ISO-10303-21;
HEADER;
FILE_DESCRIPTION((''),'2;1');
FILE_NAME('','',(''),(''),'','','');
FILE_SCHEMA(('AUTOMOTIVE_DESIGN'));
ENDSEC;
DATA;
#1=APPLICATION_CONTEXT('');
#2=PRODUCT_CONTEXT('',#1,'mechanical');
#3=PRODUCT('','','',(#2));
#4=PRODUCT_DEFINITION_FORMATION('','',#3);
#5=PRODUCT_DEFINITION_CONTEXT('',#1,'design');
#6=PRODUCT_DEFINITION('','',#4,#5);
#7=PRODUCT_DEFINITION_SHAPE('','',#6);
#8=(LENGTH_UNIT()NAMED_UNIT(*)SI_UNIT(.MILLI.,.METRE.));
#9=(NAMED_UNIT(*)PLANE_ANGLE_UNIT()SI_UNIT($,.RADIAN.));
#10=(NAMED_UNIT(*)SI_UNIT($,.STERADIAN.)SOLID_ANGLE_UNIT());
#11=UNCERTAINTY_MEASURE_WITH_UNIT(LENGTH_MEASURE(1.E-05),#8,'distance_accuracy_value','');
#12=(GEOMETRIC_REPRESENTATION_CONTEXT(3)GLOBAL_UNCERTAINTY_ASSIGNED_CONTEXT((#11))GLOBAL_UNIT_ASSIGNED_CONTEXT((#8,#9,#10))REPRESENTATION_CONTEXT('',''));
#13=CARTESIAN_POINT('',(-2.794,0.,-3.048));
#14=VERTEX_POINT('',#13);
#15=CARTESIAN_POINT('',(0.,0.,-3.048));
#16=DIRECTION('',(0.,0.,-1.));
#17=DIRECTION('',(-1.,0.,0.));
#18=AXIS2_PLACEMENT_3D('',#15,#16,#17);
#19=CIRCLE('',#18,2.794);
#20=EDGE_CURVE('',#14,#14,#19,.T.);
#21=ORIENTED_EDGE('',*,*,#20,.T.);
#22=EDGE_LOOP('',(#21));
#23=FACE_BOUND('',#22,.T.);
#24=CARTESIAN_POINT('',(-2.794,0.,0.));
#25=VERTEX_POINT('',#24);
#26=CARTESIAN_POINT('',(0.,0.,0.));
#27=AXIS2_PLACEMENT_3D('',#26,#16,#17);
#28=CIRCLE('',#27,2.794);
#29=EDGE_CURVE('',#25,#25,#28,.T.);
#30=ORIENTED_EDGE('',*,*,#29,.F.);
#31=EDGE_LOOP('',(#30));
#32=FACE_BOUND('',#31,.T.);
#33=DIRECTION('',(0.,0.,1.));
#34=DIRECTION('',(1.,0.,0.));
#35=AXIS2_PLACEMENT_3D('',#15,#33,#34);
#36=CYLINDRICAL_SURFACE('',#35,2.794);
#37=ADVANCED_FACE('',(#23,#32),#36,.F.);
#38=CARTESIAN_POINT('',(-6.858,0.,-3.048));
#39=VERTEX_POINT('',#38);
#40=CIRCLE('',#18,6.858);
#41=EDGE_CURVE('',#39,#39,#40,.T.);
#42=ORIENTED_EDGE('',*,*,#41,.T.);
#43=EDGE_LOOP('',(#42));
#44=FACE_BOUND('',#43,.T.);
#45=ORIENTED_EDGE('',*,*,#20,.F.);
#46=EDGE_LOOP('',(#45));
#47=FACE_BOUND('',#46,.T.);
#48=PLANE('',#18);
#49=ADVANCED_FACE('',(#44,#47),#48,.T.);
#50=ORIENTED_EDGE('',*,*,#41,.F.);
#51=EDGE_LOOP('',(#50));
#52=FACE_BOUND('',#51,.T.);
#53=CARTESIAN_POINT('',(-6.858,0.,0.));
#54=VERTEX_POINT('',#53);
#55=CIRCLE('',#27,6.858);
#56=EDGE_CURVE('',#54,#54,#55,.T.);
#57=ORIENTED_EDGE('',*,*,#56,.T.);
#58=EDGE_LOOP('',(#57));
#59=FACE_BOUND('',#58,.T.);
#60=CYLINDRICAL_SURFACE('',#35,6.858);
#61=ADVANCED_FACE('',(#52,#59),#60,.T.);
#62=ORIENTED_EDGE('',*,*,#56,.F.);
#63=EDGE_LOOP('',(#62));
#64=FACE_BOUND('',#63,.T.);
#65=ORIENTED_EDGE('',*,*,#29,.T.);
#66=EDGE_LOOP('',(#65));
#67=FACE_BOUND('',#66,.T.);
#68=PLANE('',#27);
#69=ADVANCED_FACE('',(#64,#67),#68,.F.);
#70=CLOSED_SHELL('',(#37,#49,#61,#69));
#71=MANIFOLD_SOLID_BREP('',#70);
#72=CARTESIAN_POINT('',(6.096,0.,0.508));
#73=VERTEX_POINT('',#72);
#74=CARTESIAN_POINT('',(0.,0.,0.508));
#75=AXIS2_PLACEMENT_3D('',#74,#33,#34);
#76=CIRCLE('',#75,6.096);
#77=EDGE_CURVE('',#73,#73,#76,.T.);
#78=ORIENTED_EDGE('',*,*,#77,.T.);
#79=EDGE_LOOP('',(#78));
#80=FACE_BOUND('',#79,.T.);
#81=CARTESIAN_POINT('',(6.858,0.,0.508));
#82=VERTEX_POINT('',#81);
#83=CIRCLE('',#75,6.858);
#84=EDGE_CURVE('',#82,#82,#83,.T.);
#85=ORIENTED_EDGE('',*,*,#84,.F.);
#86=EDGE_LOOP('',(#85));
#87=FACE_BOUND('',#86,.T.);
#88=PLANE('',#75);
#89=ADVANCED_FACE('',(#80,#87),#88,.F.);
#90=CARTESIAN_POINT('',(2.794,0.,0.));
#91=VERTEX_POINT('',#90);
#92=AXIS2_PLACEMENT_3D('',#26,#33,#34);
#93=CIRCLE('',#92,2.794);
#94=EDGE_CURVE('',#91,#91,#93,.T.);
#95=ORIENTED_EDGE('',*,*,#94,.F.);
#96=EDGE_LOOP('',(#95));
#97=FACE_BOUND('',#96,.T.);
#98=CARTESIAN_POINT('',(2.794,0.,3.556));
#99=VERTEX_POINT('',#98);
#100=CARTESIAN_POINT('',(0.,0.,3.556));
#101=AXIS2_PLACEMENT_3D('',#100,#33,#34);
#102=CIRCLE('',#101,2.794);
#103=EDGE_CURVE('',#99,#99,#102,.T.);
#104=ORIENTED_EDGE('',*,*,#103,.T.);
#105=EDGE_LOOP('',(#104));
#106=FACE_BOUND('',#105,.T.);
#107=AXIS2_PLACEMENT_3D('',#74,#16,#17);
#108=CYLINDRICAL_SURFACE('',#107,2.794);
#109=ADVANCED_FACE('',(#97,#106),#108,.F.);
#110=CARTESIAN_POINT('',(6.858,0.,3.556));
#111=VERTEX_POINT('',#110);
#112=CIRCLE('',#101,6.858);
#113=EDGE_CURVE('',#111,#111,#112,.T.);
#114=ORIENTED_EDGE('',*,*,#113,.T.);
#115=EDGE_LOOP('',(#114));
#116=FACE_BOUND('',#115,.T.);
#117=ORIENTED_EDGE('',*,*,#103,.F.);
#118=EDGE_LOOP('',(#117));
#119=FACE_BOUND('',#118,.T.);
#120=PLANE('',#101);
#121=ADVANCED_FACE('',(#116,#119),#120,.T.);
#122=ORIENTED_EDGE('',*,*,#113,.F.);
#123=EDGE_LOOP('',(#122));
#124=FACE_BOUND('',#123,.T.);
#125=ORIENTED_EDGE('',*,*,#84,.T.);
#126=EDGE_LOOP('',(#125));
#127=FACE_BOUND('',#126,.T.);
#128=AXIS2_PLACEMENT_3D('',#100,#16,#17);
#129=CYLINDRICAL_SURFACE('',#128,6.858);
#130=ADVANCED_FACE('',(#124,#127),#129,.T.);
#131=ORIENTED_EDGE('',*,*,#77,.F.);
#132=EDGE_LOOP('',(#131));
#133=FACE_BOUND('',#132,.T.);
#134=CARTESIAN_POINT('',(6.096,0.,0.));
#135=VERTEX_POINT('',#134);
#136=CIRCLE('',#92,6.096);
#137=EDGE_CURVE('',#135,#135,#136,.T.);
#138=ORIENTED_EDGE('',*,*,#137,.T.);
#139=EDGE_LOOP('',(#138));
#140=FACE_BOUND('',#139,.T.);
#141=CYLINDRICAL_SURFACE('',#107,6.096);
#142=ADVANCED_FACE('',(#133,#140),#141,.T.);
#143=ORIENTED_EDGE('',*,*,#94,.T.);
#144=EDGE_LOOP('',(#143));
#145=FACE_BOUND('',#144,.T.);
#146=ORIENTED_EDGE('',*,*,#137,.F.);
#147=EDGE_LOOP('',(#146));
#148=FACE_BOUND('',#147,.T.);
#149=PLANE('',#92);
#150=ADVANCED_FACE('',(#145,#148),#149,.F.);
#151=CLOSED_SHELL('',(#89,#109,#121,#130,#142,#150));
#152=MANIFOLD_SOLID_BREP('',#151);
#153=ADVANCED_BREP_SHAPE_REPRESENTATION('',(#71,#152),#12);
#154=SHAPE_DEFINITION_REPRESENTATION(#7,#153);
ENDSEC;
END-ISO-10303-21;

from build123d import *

# Parameters (mm, degrees)
SKETCH1_R           = 6.096
SKETCH1_R_2         = 2.794
BOSS_EXTRUDE2_DEPTH = 0.508
SKETCH3_R           = 6.858
SKETCH3_R_2         = 2.794
BOSS_EXTRUDE3_DEPTH = 3.048
SKETCH4_R           = 6.858
SKETCH4_R_2         = 2.794
BOSS_EXTRUDE4_DEPTH = 3.048


with BuildPart() as part:
    # Sketch1 → Boss-Extrude2 (new body)
    with BuildSketch(Plane.XY):
        Circle(SKETCH1_R)
        Circle(SKETCH1_R_2, mode=Mode.SUBTRACT)
    extrude(amount=BOSS_EXTRUDE2_DEPTH)

    # Sketch3 → Boss-Extrude3 (add)
    with BuildSketch(Plane.XY.offset(0.508)):
        Circle(SKETCH3_R)
        Circle(SKETCH3_R_2, mode=Mode.SUBTRACT)
    extrude(amount=BOSS_EXTRUDE3_DEPTH)


with BuildPart() as body_2:
    # Sketch4 → Boss-Extrude4 (new body)
    with BuildSketch(Plane(origin=(0, 0, 0), x_dir=(-1, 0, 0), z_dir=(0, 0, -1))):
        Circle(SKETCH4_R)
        Circle(SKETCH4_R_2, mode=Mode.SUBTRACT)
    extrude(amount=BOSS_EXTRUDE4_DEPTH)


solid = Compound([part.part, body_2.part])
